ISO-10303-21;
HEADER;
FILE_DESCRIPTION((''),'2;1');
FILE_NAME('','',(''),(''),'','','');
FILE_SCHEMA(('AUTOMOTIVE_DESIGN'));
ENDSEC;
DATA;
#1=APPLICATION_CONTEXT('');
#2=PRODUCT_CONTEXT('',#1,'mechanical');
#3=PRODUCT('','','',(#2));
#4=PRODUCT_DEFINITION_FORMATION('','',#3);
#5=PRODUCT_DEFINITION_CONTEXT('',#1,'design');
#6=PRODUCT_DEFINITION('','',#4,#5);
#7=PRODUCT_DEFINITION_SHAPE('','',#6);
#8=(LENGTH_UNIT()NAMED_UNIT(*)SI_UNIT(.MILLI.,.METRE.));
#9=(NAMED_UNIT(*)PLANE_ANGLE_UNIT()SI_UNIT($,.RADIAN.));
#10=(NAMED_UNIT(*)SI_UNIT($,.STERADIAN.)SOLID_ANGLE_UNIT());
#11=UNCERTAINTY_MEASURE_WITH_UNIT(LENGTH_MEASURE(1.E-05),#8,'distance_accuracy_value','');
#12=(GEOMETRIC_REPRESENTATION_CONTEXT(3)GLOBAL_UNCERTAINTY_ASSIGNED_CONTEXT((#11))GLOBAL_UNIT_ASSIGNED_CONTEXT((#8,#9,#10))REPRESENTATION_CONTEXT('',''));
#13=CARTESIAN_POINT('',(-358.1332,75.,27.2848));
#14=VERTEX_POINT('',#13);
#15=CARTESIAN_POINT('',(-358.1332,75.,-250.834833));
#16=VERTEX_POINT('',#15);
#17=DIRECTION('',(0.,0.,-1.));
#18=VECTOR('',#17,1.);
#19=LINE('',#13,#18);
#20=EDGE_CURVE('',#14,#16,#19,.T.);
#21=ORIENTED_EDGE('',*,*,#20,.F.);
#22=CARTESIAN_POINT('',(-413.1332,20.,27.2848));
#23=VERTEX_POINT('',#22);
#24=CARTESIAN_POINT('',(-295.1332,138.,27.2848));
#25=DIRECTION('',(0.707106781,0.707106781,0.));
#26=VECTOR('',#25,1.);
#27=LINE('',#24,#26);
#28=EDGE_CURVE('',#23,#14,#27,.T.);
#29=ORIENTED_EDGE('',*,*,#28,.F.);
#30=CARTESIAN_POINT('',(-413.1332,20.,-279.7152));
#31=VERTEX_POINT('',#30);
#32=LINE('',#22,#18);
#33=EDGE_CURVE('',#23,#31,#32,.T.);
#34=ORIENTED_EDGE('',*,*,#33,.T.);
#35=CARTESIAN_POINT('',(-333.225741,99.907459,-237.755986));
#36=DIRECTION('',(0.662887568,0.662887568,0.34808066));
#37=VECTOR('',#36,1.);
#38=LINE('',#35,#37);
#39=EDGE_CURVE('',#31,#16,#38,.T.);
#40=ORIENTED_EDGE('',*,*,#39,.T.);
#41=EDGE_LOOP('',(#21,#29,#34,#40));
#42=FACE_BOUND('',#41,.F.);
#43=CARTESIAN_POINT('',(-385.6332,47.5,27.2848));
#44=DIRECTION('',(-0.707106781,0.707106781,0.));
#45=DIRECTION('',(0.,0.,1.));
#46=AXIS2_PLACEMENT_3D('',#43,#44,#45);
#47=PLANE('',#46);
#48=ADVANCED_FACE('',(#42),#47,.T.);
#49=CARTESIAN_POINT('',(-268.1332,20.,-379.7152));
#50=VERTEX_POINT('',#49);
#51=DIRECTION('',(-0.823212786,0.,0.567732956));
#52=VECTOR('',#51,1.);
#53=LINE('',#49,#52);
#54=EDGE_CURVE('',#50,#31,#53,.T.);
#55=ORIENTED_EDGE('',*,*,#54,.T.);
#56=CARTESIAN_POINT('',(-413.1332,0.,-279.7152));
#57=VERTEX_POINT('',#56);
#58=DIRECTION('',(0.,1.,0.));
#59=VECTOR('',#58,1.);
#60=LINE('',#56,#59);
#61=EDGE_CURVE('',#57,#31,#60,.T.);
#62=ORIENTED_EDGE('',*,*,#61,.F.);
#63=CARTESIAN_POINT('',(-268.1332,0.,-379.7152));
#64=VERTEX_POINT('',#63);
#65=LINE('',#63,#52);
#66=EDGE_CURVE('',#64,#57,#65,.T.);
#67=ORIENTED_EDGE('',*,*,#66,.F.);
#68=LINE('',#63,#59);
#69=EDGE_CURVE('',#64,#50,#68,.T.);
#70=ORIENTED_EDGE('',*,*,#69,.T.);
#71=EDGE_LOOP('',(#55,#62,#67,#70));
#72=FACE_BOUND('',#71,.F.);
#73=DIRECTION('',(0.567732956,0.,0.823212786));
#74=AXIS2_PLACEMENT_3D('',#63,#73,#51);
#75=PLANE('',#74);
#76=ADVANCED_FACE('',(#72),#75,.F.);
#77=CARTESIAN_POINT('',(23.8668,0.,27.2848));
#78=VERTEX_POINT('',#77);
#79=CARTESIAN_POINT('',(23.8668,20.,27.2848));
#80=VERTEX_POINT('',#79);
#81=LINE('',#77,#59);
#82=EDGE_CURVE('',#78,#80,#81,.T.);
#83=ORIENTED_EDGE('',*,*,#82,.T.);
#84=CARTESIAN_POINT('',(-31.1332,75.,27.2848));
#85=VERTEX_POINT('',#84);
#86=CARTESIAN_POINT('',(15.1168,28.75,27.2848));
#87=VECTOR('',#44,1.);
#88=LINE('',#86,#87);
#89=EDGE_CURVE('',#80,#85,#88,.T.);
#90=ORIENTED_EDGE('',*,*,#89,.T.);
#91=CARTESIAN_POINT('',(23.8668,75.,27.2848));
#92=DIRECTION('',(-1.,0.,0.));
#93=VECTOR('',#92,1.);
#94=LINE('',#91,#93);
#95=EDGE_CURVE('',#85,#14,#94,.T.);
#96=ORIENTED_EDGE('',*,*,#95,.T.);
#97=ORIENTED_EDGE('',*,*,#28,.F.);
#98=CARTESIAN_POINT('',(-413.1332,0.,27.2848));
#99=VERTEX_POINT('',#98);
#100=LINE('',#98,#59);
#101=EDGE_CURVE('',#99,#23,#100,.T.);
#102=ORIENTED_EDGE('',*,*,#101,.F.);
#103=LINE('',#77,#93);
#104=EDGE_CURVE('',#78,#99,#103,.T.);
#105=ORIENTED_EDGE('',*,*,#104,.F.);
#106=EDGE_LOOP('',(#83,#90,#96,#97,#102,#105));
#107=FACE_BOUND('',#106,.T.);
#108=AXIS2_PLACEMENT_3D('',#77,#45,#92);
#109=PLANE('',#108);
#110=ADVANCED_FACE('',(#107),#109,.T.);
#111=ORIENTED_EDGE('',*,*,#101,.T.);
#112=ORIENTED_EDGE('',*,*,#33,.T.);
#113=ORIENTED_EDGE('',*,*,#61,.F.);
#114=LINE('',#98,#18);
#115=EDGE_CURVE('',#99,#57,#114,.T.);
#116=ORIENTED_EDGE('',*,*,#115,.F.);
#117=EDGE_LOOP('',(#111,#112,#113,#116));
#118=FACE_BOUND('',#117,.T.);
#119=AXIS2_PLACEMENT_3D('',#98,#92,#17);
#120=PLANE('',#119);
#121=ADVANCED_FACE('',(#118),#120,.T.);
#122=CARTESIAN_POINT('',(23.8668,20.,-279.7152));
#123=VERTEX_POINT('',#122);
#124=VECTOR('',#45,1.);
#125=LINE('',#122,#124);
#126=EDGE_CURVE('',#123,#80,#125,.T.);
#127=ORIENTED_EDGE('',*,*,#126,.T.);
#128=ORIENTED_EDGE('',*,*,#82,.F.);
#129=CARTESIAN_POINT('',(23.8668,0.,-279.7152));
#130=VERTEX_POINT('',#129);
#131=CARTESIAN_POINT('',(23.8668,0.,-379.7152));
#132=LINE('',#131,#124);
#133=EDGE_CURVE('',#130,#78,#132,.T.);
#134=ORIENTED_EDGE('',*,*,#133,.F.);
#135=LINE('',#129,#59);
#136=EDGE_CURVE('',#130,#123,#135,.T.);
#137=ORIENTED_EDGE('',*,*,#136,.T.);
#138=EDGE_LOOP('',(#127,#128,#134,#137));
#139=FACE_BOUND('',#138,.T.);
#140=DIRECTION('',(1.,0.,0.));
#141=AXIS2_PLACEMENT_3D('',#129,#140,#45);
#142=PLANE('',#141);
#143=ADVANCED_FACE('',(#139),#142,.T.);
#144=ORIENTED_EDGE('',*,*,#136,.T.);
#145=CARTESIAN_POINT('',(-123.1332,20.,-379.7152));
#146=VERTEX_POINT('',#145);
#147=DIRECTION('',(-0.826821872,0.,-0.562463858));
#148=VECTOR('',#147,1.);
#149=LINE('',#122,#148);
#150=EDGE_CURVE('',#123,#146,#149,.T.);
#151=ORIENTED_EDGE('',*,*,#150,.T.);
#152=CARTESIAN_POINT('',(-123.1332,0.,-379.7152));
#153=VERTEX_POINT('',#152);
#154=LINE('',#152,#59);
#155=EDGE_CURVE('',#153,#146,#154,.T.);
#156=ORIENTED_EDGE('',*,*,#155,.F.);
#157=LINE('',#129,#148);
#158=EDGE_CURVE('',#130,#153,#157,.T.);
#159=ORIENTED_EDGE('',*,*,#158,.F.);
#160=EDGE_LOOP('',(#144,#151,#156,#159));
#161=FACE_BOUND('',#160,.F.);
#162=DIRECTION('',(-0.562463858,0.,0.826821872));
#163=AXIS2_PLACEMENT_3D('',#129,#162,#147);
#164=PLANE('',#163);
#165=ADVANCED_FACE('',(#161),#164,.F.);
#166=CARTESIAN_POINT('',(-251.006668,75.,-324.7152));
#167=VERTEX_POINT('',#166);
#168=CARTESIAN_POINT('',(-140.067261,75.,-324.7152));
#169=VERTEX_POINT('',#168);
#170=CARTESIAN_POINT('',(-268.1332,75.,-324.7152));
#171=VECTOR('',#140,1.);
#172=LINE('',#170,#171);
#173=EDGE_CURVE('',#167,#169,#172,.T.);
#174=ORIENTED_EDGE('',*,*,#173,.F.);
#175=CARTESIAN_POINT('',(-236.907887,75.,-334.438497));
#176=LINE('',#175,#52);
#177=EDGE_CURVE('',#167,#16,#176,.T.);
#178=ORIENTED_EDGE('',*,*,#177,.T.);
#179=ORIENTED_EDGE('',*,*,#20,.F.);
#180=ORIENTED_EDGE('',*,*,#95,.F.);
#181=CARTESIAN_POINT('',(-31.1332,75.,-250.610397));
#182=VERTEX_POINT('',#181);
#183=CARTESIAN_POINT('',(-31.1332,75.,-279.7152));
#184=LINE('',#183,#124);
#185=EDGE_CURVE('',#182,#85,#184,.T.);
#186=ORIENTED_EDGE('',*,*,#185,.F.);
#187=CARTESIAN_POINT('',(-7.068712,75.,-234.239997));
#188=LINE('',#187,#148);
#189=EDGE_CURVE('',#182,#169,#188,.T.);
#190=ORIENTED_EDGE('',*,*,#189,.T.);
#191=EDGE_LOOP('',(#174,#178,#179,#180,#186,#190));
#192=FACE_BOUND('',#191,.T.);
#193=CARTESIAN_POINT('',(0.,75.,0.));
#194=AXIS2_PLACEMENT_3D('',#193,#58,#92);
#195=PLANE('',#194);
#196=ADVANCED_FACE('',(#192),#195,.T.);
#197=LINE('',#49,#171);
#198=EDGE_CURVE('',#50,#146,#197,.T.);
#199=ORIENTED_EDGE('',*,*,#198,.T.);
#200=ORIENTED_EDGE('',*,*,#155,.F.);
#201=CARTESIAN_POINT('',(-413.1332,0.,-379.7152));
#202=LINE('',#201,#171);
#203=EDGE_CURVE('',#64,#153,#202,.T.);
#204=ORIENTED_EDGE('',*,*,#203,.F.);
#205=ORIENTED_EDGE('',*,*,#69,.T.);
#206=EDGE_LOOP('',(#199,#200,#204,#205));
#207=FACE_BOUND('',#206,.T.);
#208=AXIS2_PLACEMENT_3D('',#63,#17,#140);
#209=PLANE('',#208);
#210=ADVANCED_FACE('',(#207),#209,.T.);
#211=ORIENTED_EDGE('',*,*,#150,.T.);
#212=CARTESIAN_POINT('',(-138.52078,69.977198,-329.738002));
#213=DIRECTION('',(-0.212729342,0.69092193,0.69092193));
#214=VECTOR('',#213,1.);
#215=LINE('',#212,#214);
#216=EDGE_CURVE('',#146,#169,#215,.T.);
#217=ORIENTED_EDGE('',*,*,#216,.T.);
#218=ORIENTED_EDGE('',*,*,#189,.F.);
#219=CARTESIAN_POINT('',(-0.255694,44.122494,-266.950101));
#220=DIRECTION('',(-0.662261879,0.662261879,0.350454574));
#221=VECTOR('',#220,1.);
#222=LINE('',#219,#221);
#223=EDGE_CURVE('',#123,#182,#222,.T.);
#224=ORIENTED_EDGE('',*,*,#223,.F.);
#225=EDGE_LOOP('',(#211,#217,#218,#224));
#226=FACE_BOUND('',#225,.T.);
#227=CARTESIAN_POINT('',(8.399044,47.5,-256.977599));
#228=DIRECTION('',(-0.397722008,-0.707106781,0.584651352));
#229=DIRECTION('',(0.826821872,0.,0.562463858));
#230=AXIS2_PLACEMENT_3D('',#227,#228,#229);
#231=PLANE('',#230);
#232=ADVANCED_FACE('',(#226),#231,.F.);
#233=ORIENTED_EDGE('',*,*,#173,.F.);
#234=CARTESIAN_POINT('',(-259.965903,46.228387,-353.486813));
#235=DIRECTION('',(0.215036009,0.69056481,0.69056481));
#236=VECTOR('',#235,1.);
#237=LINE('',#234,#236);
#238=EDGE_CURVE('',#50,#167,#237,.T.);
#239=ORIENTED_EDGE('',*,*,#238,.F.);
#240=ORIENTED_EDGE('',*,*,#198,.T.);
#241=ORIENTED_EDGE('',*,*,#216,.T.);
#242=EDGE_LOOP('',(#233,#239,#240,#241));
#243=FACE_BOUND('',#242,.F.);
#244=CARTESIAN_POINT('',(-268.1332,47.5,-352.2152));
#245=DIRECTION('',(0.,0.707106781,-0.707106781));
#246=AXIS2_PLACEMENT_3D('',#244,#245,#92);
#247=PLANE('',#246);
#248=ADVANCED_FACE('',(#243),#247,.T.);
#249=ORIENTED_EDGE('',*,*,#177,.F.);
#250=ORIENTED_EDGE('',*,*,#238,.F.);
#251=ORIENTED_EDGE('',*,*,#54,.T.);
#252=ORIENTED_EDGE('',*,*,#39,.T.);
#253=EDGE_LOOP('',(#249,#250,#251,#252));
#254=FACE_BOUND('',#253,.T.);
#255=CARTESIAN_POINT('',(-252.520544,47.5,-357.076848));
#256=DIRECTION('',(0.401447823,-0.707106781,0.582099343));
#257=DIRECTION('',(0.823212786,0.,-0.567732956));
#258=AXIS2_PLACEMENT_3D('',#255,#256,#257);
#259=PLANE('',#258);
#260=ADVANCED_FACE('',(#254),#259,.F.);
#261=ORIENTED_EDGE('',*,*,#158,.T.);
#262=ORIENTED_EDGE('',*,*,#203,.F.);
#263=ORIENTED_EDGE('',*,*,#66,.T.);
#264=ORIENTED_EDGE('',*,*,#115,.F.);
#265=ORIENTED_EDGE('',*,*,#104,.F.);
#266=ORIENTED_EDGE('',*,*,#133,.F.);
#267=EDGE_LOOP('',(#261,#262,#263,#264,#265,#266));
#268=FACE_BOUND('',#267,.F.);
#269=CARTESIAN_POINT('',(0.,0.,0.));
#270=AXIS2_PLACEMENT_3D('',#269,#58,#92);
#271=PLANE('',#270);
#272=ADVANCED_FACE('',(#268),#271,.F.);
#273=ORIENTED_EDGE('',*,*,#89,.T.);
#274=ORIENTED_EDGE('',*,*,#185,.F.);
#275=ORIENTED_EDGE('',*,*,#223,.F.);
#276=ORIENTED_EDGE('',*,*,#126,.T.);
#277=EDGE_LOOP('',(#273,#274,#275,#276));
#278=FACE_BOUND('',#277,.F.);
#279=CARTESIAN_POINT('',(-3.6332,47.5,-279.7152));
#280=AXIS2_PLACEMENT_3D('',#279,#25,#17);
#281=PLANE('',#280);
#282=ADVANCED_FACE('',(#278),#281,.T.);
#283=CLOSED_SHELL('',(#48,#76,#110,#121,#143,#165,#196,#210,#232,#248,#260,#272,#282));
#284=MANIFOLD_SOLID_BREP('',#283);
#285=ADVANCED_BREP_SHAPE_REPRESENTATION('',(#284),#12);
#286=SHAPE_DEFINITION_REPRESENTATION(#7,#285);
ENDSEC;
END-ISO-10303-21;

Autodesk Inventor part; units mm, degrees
ref_plane "YZ Plane" through (0, 0, 0) normal (1, 0, 0) x (0, 1, 0)
ref_plane "XZ Plane" through (0, 0, 0) normal (0, 1, 0) x (-1, 0, 0)
ref_plane "XY Plane" through (0, 0, 0) normal (0, 0, 1) x (1, 0, 0)
sketch "Sketch1" plane through (0, 0, 0) normal (0, 1, 0) x (-1, 0, 0)
  line L0 (-23.8668, 27.2848) -> (413.1332, 27.2848)
  line L1 (413.1332, 27.2848) -> (413.1332, -379.7152)
  line L2 (413.1332, -379.7152) -> (-23.8668, -379.7152)
  line L3 (-23.8668, -379.7152) -> (-23.8668, 27.2848)
  line L4 (413.1332, -379.7152) -> (268.1332, -379.7152)
  line L5 (268.1332, -379.7152) -> (123.1332, -379.7152)
  line L6 (-23.8668, -379.7152) -> (-23.8668, -279.7152)
  line L7 (-23.8668, -279.7152) -> (123.1332, -379.7152)
  line L8 (268.1332, -379.7152) -> (413.1332, -279.7152)
  point P0 (0, 0)
  dimension "d0" = 437
  dimension "d1" = 407
  dimension "d2" = 145
  dimension "d3" = 145
  dimension "d4" = 100
extrude "Extrusion1" add sketch "Sketch1" along normal blind 75 contours L0 L1 L8 L2 L7 L3
chamfer "Chamfer1" distance 55 angle 45 5 edges at (-49.6332, 75, -329.7152) (23.8668, 75, -126.2152) (-195.6332, 75, -379.7152) (-340.6332, 75, -329.7152) (-413.1332, 75, -126.2152)
properties part number "mount_bord"
